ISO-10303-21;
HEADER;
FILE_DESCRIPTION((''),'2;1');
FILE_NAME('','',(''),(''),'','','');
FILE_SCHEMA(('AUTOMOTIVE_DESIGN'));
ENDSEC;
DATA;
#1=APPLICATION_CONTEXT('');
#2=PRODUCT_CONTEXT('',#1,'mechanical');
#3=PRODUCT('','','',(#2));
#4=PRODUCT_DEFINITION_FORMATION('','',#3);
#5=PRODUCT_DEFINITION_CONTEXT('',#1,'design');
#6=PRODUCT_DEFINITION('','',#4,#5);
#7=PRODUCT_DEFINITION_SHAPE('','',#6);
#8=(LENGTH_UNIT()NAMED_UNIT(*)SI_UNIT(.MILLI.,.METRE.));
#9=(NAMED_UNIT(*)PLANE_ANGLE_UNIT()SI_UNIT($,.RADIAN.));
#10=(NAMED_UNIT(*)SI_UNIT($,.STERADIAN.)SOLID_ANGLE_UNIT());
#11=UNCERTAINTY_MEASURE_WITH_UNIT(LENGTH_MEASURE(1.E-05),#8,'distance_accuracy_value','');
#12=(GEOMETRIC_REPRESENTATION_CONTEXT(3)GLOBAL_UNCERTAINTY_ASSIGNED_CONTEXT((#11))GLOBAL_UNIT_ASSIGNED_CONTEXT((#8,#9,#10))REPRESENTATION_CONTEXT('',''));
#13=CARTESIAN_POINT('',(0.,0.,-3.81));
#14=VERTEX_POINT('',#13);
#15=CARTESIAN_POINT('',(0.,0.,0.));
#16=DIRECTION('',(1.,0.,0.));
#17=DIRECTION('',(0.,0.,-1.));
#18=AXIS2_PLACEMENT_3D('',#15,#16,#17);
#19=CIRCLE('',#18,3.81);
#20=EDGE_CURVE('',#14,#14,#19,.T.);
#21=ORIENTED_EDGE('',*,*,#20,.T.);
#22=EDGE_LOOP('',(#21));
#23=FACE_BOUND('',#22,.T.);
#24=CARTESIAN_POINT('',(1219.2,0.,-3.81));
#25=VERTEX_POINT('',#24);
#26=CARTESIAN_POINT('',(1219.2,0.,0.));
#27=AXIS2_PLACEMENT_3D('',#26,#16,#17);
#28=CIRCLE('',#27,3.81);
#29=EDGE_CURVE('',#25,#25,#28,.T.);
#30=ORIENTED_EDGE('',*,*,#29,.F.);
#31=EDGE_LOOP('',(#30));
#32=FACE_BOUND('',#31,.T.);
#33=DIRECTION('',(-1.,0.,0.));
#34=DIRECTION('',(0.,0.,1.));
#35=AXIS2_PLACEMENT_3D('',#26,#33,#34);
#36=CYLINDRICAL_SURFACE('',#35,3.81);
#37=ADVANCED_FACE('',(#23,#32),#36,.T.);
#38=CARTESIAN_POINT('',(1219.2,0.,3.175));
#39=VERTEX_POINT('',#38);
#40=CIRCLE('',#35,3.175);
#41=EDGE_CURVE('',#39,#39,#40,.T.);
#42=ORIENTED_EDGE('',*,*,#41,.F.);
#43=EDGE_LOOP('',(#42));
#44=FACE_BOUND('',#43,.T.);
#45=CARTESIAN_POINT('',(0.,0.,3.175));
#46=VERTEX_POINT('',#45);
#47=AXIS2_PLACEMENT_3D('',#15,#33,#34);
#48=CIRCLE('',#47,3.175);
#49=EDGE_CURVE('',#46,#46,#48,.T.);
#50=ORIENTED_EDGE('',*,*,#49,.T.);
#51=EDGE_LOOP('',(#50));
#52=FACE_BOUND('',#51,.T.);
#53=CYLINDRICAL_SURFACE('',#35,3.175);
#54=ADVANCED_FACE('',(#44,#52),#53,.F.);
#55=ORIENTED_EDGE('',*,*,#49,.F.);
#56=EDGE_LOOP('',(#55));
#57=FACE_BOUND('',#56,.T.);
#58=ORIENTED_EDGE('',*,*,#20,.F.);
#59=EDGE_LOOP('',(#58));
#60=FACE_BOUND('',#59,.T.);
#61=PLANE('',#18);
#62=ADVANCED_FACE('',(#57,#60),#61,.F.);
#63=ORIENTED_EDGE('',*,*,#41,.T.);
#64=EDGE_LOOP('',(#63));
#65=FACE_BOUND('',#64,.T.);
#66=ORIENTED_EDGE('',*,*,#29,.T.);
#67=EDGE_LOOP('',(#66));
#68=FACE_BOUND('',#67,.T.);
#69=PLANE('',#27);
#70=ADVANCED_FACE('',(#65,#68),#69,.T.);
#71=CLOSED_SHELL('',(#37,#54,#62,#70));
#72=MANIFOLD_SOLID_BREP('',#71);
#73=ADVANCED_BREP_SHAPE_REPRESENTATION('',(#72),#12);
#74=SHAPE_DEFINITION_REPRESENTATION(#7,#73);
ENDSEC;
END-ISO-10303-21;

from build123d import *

# Parameters (mm, degrees)
SKETCH1_R           = 3.81
BOSS_EXTRUDE1_DEPTH = 1219.2
SKETCH2_R           = 3.175
CUT_EXTRUDE1_DEPTH  = 1220.2


with BuildPart() as part:
    # Sketch1 → Boss-Extrude1 (new body)
    with BuildSketch(Plane(origin=(0, 0, 0), x_dir=(0, 0, -1), z_dir=(1, 0, 0))):
        Circle(SKETCH1_R)
    extrude(amount=BOSS_EXTRUDE1_DEPTH)

    # Sketch2 → Cut-Extrude1 (cut, through all)
    with BuildSketch(Plane.ZY):
        Circle(SKETCH2_R)
    extrude(amount=-CUT_EXTRUDE1_DEPTH, mode=Mode.SUBTRACT)


solid = part.part
